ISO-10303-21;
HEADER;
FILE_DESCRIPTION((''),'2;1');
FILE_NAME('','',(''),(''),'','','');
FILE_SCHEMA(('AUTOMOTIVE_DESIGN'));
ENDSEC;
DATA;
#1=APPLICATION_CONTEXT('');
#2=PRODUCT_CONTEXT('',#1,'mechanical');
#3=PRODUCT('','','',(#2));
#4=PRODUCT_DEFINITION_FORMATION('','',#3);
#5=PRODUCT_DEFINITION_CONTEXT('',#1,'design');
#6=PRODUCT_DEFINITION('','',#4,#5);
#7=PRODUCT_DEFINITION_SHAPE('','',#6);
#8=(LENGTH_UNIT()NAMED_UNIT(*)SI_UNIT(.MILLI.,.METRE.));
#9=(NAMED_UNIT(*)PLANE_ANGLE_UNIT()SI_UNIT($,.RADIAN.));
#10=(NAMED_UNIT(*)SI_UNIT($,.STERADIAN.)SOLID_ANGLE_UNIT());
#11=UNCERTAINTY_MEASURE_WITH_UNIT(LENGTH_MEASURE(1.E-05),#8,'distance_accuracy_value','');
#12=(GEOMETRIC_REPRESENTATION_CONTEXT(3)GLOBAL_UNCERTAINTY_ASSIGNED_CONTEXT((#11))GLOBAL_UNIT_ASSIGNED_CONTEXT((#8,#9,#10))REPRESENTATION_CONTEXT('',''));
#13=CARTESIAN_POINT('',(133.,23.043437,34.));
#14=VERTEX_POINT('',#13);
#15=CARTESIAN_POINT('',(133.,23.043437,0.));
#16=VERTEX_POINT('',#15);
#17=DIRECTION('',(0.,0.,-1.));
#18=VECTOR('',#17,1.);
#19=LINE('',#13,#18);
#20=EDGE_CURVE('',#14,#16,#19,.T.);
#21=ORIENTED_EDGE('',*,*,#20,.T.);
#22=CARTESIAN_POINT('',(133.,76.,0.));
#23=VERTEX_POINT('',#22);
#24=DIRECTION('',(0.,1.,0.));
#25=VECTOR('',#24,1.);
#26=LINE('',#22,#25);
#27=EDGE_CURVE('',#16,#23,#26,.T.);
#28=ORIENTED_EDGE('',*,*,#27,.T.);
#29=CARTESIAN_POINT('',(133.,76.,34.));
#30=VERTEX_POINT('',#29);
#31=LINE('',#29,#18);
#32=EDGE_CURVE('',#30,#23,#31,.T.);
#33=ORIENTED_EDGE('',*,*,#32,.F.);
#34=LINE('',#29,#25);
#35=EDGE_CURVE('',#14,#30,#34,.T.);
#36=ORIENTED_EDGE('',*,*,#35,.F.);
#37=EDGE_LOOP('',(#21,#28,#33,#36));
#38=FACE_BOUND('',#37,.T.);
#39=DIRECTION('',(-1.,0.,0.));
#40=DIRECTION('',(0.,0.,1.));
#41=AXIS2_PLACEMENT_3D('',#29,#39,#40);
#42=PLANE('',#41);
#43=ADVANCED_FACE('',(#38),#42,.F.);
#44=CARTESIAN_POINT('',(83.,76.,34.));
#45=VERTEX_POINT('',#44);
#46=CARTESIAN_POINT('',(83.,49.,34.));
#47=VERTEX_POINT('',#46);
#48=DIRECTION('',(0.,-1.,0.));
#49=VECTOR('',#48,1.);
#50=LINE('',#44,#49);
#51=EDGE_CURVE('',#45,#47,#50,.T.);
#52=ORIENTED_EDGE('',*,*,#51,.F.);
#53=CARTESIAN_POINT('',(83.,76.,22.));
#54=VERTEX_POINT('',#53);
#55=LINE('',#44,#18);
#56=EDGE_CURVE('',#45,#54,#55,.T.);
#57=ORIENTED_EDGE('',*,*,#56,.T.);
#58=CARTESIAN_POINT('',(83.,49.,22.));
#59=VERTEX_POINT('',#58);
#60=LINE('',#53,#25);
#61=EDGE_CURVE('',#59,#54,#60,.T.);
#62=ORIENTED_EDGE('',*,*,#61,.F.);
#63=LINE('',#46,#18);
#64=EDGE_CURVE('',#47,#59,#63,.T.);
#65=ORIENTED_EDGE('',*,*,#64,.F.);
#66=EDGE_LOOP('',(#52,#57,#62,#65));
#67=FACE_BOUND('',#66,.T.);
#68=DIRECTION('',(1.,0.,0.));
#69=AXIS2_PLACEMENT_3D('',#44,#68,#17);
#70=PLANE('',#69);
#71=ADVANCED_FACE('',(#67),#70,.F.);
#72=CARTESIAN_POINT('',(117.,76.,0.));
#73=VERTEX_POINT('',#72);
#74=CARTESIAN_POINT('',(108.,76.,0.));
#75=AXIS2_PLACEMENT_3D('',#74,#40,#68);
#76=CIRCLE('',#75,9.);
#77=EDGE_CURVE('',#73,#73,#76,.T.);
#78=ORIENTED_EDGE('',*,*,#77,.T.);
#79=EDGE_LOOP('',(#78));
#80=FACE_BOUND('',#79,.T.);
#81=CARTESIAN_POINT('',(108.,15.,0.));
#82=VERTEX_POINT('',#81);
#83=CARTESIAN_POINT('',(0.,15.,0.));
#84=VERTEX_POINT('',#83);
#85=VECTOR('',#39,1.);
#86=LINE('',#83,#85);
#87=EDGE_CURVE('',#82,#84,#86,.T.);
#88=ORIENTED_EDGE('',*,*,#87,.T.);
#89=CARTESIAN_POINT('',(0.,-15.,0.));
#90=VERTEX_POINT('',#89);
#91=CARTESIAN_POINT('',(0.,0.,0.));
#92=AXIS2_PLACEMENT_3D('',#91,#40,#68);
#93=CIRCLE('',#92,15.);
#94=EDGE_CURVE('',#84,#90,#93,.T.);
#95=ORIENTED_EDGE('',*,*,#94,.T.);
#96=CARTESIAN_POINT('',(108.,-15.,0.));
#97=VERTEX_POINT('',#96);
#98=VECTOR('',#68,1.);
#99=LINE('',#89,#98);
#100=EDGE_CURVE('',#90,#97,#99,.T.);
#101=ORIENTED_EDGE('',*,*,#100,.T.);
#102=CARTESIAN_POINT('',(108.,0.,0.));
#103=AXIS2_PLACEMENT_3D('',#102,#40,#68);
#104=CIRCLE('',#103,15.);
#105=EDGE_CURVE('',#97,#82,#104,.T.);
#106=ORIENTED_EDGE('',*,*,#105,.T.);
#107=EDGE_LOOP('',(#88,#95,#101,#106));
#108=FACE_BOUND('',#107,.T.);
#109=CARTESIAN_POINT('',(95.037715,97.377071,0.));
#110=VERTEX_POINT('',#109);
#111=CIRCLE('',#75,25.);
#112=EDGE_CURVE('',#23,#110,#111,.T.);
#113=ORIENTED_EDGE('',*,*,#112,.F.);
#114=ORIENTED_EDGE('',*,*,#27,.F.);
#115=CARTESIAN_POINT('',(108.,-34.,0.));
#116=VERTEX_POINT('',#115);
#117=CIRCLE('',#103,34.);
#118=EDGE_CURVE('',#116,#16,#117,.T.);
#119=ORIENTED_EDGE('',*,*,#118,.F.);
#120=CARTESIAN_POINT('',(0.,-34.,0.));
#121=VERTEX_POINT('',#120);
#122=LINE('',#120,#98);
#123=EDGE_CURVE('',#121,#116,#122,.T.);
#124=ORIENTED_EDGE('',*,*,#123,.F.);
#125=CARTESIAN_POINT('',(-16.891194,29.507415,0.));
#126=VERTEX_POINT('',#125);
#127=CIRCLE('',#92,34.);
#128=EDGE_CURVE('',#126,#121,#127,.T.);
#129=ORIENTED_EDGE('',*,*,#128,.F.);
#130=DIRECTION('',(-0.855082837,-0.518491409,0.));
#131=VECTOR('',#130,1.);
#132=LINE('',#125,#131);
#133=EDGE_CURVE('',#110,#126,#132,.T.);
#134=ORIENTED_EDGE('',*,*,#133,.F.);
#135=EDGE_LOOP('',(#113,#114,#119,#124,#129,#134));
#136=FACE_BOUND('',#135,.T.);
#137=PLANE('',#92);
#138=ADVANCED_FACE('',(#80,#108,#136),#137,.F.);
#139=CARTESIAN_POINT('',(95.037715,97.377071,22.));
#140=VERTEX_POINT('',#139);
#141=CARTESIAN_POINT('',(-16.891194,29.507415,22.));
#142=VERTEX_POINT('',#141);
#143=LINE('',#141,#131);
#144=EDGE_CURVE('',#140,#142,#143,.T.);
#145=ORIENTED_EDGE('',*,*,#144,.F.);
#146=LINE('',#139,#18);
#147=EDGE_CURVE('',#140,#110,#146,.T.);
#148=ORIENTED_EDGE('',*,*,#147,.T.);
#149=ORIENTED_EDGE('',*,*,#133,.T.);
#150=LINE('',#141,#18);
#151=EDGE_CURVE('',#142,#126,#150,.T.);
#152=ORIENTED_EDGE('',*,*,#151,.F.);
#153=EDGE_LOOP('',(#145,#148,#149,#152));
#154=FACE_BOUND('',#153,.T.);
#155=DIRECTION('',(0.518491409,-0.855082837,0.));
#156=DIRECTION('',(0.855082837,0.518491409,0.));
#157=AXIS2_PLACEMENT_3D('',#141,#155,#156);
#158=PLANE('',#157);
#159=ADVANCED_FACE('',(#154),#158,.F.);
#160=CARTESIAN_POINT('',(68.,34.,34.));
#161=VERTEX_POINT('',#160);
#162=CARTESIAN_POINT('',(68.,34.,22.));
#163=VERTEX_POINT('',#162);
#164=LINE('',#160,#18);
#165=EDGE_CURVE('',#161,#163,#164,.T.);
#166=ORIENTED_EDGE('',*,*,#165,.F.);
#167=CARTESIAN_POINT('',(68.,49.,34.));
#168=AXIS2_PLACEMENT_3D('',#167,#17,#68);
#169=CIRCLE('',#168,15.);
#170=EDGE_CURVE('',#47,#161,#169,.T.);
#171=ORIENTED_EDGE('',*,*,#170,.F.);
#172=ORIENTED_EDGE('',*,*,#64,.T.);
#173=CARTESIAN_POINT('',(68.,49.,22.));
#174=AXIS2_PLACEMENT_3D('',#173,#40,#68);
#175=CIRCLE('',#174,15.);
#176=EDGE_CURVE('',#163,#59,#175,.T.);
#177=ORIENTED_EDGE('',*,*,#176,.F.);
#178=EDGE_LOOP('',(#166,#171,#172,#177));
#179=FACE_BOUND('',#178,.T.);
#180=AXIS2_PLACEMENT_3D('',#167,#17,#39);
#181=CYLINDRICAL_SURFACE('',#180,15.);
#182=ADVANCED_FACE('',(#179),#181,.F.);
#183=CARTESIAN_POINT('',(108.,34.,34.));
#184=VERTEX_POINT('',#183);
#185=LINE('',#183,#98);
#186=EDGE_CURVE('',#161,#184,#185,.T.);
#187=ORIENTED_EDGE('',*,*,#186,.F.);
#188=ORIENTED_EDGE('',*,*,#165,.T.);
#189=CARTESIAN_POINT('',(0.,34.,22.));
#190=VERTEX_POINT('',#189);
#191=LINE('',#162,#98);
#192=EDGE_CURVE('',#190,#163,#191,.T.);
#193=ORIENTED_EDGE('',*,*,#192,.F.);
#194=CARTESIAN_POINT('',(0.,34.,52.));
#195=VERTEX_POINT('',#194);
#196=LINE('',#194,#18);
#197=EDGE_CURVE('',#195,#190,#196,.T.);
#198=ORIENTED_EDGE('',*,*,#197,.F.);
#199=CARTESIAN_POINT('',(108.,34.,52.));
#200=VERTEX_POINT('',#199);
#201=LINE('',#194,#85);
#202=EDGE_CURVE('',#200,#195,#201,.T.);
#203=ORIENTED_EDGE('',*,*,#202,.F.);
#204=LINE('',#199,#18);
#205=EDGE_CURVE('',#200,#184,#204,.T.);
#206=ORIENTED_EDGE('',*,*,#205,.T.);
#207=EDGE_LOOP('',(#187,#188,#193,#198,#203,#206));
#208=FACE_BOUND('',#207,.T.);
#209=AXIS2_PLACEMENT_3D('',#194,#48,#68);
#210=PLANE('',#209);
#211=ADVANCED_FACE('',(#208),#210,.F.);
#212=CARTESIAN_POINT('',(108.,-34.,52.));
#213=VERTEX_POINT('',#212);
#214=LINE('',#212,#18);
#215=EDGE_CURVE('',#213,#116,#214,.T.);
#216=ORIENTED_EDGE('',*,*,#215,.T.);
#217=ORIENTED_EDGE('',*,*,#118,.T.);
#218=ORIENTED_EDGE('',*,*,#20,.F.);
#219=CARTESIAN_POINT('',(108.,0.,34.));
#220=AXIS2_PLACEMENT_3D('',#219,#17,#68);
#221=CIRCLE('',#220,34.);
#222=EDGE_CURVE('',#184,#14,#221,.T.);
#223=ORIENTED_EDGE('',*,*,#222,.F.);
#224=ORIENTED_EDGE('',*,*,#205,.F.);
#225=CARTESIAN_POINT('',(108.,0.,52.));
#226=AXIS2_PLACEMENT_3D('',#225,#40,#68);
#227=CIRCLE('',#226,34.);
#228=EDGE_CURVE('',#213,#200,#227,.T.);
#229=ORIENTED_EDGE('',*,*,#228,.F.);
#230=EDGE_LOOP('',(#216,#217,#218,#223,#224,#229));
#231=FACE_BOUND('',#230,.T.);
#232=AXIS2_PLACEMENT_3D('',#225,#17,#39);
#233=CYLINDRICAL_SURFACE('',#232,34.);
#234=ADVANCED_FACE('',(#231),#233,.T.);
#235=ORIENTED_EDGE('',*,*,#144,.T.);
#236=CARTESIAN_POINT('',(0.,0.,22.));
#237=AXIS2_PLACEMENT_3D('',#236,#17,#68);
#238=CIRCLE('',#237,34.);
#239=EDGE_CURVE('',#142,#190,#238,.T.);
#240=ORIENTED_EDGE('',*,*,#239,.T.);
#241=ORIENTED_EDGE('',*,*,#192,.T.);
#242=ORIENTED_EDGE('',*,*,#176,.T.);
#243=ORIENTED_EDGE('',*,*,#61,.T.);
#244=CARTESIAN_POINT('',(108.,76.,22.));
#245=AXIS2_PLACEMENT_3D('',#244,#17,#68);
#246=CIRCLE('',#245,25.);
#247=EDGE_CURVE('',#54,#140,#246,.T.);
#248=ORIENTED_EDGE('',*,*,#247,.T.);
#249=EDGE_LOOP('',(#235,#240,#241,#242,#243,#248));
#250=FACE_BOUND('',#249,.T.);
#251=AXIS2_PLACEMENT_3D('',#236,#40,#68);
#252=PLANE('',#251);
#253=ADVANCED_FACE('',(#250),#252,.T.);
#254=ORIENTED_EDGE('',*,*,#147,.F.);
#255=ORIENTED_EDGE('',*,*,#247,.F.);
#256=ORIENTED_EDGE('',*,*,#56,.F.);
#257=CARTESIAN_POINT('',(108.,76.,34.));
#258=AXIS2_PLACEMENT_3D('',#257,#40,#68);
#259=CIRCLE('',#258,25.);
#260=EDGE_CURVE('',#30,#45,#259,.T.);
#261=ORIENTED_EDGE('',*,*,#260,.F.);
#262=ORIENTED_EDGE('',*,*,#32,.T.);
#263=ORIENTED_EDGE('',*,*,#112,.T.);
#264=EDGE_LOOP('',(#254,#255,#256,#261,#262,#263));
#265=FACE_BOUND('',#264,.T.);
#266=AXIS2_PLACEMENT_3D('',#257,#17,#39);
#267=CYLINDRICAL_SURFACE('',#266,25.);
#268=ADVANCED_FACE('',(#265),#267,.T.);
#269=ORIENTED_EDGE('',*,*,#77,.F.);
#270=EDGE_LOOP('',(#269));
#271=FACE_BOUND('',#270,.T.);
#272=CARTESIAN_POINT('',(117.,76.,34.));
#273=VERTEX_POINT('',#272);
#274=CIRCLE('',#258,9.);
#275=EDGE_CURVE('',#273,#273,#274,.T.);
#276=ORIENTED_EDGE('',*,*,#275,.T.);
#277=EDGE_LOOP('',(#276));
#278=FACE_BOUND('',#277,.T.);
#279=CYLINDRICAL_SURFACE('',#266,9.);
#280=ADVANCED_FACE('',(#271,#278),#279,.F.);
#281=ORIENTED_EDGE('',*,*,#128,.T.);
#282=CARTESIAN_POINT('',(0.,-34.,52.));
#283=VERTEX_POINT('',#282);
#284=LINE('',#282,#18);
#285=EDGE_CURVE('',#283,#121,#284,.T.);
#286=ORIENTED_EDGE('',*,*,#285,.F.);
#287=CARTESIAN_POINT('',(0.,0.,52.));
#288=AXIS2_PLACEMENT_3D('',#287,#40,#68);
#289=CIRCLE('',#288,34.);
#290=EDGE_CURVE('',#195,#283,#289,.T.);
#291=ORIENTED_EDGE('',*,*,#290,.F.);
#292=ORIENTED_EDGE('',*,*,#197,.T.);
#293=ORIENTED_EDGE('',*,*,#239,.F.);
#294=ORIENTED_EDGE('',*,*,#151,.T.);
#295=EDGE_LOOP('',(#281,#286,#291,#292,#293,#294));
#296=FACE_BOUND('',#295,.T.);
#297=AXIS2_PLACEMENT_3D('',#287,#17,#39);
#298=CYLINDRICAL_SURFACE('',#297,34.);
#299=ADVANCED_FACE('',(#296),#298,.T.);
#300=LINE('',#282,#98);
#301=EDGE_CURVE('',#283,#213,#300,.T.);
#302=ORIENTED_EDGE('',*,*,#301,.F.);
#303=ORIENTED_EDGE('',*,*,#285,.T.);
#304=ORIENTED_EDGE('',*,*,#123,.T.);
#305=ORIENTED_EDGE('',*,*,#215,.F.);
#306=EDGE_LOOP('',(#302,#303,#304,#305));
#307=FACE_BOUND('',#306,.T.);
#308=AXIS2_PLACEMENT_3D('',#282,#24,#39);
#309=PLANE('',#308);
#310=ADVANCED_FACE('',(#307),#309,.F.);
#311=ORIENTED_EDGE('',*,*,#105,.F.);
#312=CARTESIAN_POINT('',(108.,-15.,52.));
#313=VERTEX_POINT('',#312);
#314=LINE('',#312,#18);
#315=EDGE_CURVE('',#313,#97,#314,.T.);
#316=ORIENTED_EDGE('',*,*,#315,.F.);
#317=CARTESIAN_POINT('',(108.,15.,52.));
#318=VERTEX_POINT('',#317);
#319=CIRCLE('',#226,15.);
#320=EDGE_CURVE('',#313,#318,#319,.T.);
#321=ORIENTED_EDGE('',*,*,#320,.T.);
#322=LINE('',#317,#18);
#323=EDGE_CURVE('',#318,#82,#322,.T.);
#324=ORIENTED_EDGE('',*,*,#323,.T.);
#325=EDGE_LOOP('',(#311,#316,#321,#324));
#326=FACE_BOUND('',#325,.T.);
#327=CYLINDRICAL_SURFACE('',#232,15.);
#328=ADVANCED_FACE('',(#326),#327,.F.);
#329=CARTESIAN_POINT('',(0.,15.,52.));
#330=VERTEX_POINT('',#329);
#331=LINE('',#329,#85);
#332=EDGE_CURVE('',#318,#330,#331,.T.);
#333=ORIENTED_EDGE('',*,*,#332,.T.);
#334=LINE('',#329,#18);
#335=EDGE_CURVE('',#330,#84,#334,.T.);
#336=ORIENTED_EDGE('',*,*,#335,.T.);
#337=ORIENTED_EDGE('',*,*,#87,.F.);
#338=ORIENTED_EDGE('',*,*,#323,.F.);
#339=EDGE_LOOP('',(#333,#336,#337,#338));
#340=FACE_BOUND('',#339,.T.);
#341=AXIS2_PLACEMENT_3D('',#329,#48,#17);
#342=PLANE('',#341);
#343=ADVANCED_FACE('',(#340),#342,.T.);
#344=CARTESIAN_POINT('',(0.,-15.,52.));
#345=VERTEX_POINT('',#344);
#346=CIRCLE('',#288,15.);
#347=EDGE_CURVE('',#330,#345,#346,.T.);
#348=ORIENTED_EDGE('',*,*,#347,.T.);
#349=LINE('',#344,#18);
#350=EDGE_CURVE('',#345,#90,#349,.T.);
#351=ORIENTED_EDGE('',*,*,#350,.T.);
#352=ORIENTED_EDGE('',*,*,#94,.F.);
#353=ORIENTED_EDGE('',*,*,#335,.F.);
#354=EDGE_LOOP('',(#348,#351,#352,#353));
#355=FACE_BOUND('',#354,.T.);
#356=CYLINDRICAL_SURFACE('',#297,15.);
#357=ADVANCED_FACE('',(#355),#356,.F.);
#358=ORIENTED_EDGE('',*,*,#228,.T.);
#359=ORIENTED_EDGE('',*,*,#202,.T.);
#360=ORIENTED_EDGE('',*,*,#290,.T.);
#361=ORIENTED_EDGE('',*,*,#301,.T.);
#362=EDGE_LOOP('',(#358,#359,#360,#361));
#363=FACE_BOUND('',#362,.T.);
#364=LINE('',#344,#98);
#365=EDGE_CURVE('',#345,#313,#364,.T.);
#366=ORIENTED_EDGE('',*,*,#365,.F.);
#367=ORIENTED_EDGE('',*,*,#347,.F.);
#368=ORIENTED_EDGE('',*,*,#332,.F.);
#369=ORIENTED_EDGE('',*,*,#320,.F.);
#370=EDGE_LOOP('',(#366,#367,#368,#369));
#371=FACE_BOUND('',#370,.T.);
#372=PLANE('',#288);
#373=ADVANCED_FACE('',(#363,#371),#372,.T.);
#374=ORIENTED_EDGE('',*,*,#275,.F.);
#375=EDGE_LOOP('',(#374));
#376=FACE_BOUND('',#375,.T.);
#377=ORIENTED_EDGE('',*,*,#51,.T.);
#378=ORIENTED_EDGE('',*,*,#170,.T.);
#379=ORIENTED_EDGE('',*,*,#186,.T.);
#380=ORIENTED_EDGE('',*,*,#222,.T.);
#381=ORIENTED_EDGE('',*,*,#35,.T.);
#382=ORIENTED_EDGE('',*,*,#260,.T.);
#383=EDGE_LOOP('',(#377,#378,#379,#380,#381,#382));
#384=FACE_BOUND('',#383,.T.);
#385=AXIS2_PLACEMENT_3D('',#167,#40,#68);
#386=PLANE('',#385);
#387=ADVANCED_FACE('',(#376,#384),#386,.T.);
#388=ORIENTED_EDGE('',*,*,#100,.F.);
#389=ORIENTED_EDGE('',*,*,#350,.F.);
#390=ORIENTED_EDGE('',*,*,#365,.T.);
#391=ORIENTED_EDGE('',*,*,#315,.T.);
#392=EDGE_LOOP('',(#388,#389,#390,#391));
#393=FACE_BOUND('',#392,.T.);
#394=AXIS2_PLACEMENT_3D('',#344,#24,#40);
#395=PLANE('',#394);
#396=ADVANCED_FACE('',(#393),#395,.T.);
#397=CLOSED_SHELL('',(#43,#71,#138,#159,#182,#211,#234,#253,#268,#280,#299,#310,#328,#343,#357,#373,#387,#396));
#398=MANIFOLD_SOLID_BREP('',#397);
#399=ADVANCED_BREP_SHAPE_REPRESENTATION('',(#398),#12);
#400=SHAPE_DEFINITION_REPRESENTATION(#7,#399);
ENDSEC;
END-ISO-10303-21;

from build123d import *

# Parameters (mm, degrees)
EXTRUDE_1_DEPTH = 52
SKETCH_2_R      = 9
EXTRUDE_2_DEPTH = 34
EXTRUDE_3_DEPTH = 22


with BuildPart() as part:
    # 스케치1 → 보스-돌출1 (new body)
    with BuildSketch(Plane.XY):
        with BuildLine():
            Line((0, 34), (108, 34))
            ThreePointArc((108, 34), (142, 0), (108, -34))
            Line((108, -34), (0, -34))
            ThreePointArc((0, -34), (-34, 0), (0, 34))
        make_face()
        with BuildLine():
            Line((0, 15), (108, 15))
            ThreePointArc((108, 15), (123, 0), (108, -15))
            Line((108, -15), (0, -15))
            ThreePointArc((0, -15), (-15, 0), (0, 15))
        make_face(mode=Mode.SUBTRACT)
    extrude(amount=EXTRUDE_1_DEPTH)

    # 스케치2 → 보스-돌출2 (add)
    with BuildSketch(Plane.XY):
        with BuildLine():
            Line((108, 34), (68, 34))
            ThreePointArc((68, 34), (78.606601718, 38.393398282), (83, 49))
            Line((83, 49), (83, 76))
            ThreePointArc((83, 76), (108, 101), (133, 76))
            Line((133, 76), (133, 23.043437244))
            ThreePointArc((133, 23.043437244), (121.647767834, 31.140623519), (108, 34))
        make_face()
        with Locations((108, 76)):
            Circle(SKETCH_2_R, mode=Mode.SUBTRACT)
    extrude(amount=EXTRUDE_2_DEPTH)

    # 스케치3 → 보스-돌출3 (add)
    with BuildSketch(Plane.XY):
        with BuildLine():
            Line((-16.891194038, 29.507415407), (95.037714778, 97.377070936))
            ThreePointArc((95.037714778, 97.377070936), (86.216323421, 88.266679857), (83, 76))
            Line((83, 76), (83, 49))
            ThreePointArc((83, 49), (78.606601718, 38.393398282), (68, 34))
            Line((68, 34), (0, 34))
            ThreePointArc((0, 34), (-8.739218391, 32.857663671), (-16.891194038, 29.507415407))
        make_face()
    extrude(amount=EXTRUDE_3_DEPTH)


solid = part.part
